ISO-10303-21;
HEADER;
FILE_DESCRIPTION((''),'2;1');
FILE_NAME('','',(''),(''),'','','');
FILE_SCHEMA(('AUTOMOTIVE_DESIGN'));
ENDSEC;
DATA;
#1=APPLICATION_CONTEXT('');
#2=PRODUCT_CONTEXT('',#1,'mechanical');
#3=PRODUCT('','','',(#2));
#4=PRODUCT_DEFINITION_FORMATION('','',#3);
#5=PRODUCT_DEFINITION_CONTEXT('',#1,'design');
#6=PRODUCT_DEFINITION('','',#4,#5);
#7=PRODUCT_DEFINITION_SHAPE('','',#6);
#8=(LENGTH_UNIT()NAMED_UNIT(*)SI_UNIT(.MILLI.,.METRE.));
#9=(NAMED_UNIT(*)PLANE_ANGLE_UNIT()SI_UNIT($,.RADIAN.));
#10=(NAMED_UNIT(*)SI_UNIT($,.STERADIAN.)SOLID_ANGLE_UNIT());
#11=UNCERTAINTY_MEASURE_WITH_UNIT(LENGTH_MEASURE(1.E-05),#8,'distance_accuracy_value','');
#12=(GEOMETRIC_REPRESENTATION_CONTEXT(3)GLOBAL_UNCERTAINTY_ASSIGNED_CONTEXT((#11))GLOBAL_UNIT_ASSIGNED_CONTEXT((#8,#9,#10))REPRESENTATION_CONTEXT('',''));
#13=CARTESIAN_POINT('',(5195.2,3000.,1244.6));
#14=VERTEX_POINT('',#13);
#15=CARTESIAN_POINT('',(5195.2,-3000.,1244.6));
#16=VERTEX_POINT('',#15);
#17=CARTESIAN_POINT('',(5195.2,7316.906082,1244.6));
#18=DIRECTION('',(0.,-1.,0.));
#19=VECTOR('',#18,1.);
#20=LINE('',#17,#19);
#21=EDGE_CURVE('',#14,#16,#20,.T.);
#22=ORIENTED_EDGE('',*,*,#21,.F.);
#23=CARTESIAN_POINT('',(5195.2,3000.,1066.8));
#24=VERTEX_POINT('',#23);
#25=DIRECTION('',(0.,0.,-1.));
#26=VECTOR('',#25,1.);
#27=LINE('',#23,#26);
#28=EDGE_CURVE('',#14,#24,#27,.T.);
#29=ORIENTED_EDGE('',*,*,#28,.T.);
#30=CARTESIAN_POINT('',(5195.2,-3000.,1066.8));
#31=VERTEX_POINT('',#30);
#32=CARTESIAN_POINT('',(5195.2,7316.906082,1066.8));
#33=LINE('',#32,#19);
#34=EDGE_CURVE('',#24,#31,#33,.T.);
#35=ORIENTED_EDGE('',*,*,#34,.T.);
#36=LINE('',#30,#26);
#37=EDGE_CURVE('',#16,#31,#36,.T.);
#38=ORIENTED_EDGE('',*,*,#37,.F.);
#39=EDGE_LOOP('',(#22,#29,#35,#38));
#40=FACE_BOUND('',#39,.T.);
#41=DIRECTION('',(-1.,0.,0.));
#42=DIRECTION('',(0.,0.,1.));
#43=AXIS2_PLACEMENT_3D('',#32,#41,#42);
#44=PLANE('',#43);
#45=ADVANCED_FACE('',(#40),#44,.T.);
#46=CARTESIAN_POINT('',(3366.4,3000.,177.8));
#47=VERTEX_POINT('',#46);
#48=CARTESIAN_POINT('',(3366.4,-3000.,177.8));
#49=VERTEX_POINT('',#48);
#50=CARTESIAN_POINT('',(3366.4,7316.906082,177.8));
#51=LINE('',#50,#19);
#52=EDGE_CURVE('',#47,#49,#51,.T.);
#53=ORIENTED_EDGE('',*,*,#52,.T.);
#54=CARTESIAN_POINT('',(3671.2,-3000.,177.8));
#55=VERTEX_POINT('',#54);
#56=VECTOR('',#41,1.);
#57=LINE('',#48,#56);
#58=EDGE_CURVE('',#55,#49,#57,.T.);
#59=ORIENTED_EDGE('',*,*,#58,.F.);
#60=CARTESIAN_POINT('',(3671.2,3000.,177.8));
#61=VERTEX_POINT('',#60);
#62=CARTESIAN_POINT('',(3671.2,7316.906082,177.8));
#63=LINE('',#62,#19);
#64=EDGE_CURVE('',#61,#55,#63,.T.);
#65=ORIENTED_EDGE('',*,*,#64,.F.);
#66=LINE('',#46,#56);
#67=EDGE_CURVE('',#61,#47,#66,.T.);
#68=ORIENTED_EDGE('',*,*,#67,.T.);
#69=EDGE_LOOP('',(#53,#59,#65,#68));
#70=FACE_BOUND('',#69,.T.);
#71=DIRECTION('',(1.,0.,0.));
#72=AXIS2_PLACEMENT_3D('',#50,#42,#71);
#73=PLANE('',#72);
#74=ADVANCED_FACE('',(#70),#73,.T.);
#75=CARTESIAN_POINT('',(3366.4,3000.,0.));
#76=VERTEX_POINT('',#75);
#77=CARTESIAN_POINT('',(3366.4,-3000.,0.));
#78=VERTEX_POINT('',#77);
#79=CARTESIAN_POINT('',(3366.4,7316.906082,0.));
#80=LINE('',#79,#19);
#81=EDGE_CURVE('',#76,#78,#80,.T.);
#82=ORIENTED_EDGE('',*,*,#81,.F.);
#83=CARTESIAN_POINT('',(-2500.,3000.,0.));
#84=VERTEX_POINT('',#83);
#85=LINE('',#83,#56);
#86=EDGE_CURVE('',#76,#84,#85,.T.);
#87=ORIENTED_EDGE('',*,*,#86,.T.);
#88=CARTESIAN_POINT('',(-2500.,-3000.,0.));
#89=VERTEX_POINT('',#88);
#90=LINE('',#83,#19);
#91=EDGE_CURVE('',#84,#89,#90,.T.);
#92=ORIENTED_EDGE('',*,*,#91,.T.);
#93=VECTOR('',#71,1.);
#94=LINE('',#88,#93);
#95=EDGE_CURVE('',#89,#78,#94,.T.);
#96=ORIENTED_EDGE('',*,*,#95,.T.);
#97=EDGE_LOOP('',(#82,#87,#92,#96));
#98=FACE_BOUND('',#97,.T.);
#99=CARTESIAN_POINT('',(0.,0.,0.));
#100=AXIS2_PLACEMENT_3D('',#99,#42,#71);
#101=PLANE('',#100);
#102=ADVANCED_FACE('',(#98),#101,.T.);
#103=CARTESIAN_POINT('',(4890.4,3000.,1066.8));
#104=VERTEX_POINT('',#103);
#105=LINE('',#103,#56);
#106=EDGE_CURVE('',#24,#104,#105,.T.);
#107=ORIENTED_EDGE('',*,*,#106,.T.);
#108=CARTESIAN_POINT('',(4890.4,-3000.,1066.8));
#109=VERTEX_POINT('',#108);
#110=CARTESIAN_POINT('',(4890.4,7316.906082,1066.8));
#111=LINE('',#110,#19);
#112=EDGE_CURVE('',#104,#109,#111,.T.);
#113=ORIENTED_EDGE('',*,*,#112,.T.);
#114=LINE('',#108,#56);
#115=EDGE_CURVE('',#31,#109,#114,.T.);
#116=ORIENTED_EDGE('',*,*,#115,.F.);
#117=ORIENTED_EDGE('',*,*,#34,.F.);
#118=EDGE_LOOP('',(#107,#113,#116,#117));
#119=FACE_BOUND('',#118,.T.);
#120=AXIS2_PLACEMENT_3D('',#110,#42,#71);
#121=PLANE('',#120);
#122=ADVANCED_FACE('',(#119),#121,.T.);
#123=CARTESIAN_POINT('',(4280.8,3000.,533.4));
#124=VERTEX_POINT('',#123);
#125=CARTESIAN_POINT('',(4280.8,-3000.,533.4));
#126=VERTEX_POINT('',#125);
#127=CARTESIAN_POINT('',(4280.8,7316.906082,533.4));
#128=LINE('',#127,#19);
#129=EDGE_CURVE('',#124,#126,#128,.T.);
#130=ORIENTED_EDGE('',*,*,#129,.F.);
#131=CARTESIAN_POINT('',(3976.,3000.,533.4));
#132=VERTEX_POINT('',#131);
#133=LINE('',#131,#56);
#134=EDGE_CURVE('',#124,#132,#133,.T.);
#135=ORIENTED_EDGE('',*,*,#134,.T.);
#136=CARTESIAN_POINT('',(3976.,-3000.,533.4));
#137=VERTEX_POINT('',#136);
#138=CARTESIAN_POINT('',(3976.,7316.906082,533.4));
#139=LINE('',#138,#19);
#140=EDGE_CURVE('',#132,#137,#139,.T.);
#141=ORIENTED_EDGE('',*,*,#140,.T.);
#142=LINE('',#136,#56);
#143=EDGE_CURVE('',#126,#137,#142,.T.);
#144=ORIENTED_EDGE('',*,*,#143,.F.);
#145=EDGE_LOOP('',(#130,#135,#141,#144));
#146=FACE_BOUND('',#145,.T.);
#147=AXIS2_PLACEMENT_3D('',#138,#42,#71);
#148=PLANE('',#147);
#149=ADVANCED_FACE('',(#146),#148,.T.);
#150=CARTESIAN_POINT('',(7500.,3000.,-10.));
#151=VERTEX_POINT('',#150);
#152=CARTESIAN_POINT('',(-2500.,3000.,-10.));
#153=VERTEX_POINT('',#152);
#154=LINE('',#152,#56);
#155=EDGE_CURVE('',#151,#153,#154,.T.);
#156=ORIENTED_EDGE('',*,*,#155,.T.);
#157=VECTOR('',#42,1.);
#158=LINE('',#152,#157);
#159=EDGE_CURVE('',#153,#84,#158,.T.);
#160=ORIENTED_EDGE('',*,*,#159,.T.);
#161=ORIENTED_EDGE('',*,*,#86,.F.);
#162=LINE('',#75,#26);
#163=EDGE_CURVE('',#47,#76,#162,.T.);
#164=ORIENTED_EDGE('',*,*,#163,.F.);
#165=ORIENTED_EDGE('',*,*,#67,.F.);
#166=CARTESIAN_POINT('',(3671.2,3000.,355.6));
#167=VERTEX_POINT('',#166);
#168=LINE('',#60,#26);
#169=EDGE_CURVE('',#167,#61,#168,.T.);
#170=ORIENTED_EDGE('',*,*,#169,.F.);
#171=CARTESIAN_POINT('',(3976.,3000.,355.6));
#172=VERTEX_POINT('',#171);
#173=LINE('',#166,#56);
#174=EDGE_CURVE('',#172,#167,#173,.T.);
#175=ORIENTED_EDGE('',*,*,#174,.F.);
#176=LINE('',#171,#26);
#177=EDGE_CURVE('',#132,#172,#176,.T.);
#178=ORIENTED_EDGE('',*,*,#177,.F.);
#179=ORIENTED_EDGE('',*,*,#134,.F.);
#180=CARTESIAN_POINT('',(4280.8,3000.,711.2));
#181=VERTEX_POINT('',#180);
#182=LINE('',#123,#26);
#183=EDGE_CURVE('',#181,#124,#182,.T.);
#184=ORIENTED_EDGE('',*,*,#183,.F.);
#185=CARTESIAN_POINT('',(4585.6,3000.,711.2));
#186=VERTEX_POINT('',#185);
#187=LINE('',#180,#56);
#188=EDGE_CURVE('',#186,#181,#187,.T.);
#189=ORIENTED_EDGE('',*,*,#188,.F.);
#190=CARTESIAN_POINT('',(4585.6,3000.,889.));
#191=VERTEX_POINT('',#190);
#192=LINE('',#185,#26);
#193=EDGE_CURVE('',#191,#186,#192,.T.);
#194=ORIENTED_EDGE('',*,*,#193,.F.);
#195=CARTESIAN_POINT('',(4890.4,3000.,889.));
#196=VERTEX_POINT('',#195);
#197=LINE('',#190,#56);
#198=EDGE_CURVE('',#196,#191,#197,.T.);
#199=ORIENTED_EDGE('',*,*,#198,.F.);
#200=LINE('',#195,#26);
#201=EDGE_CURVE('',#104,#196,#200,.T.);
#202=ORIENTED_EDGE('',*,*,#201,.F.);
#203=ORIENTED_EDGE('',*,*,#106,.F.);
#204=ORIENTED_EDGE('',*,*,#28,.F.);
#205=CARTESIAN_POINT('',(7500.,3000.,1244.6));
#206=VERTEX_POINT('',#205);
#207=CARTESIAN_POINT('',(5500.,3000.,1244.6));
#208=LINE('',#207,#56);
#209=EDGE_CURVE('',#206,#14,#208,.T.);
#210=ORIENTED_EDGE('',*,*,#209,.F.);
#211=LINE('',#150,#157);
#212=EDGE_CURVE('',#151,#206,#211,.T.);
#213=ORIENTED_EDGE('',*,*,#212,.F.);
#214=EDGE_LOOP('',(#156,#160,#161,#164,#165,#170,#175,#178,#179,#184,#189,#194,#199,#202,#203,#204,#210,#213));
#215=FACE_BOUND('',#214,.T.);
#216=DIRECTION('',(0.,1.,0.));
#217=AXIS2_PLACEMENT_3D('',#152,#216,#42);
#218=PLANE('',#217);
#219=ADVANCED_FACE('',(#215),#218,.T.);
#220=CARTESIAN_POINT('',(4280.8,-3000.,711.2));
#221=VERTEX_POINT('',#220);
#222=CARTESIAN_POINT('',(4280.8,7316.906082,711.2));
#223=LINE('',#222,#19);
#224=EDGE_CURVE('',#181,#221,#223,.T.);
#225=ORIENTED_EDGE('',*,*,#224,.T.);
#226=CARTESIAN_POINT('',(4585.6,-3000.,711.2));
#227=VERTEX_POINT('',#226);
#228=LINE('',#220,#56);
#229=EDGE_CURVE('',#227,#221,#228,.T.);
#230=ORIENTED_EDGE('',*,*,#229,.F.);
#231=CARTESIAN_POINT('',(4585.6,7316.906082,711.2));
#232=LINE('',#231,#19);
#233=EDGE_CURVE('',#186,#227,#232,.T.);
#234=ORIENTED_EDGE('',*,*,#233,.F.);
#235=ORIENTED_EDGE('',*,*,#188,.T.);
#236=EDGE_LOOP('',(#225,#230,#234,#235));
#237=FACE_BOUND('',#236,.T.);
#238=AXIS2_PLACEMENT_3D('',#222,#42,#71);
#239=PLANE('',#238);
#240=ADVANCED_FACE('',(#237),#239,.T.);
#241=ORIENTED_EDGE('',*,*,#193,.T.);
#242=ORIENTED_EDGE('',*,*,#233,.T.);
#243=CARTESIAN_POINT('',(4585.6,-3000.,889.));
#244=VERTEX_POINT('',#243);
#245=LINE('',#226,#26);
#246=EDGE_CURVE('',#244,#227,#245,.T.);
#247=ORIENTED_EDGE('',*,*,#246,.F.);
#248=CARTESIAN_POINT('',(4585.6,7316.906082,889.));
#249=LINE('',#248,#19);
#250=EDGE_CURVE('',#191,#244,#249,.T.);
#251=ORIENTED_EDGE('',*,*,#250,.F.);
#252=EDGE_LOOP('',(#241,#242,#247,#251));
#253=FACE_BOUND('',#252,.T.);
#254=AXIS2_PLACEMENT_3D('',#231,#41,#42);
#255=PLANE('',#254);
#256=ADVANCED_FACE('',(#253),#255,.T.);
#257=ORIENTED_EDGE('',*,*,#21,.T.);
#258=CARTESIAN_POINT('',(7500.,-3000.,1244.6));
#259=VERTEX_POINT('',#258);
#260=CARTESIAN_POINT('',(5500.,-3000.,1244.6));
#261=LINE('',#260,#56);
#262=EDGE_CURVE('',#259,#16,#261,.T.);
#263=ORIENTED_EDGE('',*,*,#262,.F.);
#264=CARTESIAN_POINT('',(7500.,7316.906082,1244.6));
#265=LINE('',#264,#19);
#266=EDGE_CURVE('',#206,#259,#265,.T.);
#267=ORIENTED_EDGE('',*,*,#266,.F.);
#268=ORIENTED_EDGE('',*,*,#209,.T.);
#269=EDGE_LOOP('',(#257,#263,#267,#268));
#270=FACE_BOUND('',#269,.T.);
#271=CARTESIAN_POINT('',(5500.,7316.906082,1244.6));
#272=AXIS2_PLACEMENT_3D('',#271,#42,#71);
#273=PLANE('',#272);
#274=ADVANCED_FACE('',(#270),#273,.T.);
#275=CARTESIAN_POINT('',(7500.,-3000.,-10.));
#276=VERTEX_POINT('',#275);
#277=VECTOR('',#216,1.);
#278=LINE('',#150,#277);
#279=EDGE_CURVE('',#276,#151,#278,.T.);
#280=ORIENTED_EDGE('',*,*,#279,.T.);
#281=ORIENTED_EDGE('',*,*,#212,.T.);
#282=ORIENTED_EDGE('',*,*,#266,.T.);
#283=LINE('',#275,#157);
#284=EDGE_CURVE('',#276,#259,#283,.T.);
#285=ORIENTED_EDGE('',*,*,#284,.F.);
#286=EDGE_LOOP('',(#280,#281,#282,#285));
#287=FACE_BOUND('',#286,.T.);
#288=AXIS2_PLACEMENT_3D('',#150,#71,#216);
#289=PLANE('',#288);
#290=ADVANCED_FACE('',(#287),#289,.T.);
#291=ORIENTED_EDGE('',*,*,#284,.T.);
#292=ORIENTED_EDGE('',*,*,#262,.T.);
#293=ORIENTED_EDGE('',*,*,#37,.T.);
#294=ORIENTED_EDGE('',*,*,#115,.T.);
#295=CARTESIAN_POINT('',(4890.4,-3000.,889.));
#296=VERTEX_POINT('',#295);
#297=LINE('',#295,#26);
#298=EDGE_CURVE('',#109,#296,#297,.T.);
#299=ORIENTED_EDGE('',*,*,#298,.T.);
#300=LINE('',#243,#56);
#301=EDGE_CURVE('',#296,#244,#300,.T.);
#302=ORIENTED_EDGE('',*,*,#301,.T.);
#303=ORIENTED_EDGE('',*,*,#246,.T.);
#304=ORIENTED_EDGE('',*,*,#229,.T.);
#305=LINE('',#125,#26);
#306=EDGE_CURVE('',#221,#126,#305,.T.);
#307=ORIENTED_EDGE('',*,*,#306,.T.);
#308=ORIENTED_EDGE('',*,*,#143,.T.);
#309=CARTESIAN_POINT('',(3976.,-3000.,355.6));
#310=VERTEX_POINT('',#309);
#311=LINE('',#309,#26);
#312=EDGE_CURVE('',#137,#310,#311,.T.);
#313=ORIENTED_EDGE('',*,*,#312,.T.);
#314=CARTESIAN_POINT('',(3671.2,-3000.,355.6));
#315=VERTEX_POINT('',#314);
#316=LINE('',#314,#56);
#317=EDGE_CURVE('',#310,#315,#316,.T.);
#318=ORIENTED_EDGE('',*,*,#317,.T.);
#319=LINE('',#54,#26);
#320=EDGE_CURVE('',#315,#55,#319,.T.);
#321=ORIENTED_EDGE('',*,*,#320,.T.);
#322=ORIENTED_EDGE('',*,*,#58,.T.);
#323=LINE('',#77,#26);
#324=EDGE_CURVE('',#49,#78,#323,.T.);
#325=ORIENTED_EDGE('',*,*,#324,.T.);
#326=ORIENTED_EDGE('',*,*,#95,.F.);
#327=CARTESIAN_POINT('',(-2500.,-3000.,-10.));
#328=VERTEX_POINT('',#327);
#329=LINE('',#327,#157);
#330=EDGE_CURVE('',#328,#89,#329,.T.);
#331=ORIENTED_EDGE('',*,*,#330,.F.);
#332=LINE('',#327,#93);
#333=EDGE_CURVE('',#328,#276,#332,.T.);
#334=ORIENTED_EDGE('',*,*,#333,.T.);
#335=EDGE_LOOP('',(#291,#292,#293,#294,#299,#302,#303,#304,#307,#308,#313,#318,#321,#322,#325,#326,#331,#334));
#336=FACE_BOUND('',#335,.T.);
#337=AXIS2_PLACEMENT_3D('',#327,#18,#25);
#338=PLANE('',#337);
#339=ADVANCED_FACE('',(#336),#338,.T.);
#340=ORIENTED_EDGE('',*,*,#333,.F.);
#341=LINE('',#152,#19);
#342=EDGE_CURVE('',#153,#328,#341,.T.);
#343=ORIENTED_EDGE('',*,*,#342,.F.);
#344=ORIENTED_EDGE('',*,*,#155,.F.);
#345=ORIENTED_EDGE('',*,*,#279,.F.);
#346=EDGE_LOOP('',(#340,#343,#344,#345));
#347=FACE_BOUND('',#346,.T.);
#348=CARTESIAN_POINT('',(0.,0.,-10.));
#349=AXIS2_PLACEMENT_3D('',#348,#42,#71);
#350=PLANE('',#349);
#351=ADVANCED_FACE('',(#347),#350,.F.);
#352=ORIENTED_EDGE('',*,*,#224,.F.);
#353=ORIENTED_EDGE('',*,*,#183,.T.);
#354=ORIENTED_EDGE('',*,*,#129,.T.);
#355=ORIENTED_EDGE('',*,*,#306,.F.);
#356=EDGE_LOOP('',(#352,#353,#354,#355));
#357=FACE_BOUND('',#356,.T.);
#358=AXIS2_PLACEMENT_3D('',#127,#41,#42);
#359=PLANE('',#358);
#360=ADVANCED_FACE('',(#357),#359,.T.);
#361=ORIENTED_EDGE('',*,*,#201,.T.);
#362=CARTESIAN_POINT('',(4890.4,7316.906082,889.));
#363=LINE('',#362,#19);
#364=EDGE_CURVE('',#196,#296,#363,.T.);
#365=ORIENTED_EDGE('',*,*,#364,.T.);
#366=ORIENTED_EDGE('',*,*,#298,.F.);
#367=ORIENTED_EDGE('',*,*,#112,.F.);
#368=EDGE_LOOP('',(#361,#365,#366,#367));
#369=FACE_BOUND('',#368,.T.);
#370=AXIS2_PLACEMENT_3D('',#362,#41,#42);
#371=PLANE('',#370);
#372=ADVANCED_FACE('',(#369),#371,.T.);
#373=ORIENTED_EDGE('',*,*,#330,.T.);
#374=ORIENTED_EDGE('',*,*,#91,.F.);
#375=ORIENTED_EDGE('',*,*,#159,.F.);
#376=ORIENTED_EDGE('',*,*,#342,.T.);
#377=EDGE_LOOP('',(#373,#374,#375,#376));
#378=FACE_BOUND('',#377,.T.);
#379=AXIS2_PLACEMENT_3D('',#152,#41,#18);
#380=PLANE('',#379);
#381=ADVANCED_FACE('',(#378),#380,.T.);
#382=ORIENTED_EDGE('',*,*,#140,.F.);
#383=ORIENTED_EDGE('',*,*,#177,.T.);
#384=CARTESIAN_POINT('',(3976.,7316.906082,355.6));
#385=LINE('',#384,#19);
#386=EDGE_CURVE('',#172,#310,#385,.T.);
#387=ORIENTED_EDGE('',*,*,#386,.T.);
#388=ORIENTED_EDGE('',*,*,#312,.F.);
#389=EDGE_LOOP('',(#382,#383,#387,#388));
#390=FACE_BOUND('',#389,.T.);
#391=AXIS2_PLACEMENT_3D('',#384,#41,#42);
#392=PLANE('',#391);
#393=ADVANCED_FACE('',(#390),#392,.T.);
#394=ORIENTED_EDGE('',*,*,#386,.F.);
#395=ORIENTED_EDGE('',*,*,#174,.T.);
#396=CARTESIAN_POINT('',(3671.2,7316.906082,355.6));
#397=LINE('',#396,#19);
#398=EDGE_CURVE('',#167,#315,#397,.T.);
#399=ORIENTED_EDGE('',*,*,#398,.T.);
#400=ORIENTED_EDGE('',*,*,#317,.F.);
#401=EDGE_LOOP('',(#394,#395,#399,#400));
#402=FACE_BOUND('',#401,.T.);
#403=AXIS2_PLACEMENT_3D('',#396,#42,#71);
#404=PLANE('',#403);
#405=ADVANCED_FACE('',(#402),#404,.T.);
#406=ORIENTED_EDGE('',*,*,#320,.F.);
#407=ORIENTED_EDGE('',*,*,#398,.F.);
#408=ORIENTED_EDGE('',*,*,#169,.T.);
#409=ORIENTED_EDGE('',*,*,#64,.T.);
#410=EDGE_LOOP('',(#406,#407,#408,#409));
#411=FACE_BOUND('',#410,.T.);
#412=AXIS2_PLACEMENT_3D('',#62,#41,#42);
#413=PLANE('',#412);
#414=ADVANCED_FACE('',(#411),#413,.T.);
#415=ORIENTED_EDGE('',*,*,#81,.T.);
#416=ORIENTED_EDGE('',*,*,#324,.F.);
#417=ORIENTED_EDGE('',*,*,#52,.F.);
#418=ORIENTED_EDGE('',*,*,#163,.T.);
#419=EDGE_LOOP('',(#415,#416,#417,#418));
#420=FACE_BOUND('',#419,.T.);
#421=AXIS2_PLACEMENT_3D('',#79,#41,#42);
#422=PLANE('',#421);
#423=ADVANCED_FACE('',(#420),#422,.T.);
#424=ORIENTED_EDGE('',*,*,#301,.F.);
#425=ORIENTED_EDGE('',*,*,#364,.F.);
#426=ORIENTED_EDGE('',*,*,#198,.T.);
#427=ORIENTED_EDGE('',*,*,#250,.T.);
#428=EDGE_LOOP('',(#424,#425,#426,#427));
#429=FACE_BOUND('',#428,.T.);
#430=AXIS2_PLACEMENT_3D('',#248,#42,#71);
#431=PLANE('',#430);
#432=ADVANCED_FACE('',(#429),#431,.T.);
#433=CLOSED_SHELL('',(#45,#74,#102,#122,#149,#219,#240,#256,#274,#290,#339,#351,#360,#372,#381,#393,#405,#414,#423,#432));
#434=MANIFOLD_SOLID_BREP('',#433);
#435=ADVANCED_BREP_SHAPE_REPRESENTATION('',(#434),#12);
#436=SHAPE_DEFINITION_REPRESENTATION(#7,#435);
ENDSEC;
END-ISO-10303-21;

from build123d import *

# Parameters (mm, degrees)
SKETCH1_W           = 10000
SKETCH1_H           = 6000
BOSS_EXTRUDE1_DEPTH = 10
BOSS_EXTRUDE2_DEPTH = 6000


with BuildPart() as part:
    # Sketch1 → Boss-Extrude1 (new body)
    with BuildSketch(Plane.XY):
        with Locations((2500, 0)):
            Rectangle(SKETCH1_W, SKETCH1_H)
    extrude(amount=-BOSS_EXTRUDE1_DEPTH)

    # Sketch2 → Boss-Extrude2 (add)
    with BuildSketch(Plane.XZ.offset(3000)):
        Polygon((3366.4, 0), (3366.4, 177.8), (3671.2, 177.8), (3671.2, 355.6), (3976, 355.6), (3976, 533.4), (4280.8, 533.4), (4280.8, 711.2), (4585.6, 711.2), (4585.6, 889), (4890.4, 889), (4890.4, 1066.8), (5195.2, 1066.8), (5195.2, 1244.6), (5500, 1244.6), (7500, 1244.6), (7500, 0), align=None)
    extrude(amount=-BOSS_EXTRUDE2_DEPTH)


solid = part.part
